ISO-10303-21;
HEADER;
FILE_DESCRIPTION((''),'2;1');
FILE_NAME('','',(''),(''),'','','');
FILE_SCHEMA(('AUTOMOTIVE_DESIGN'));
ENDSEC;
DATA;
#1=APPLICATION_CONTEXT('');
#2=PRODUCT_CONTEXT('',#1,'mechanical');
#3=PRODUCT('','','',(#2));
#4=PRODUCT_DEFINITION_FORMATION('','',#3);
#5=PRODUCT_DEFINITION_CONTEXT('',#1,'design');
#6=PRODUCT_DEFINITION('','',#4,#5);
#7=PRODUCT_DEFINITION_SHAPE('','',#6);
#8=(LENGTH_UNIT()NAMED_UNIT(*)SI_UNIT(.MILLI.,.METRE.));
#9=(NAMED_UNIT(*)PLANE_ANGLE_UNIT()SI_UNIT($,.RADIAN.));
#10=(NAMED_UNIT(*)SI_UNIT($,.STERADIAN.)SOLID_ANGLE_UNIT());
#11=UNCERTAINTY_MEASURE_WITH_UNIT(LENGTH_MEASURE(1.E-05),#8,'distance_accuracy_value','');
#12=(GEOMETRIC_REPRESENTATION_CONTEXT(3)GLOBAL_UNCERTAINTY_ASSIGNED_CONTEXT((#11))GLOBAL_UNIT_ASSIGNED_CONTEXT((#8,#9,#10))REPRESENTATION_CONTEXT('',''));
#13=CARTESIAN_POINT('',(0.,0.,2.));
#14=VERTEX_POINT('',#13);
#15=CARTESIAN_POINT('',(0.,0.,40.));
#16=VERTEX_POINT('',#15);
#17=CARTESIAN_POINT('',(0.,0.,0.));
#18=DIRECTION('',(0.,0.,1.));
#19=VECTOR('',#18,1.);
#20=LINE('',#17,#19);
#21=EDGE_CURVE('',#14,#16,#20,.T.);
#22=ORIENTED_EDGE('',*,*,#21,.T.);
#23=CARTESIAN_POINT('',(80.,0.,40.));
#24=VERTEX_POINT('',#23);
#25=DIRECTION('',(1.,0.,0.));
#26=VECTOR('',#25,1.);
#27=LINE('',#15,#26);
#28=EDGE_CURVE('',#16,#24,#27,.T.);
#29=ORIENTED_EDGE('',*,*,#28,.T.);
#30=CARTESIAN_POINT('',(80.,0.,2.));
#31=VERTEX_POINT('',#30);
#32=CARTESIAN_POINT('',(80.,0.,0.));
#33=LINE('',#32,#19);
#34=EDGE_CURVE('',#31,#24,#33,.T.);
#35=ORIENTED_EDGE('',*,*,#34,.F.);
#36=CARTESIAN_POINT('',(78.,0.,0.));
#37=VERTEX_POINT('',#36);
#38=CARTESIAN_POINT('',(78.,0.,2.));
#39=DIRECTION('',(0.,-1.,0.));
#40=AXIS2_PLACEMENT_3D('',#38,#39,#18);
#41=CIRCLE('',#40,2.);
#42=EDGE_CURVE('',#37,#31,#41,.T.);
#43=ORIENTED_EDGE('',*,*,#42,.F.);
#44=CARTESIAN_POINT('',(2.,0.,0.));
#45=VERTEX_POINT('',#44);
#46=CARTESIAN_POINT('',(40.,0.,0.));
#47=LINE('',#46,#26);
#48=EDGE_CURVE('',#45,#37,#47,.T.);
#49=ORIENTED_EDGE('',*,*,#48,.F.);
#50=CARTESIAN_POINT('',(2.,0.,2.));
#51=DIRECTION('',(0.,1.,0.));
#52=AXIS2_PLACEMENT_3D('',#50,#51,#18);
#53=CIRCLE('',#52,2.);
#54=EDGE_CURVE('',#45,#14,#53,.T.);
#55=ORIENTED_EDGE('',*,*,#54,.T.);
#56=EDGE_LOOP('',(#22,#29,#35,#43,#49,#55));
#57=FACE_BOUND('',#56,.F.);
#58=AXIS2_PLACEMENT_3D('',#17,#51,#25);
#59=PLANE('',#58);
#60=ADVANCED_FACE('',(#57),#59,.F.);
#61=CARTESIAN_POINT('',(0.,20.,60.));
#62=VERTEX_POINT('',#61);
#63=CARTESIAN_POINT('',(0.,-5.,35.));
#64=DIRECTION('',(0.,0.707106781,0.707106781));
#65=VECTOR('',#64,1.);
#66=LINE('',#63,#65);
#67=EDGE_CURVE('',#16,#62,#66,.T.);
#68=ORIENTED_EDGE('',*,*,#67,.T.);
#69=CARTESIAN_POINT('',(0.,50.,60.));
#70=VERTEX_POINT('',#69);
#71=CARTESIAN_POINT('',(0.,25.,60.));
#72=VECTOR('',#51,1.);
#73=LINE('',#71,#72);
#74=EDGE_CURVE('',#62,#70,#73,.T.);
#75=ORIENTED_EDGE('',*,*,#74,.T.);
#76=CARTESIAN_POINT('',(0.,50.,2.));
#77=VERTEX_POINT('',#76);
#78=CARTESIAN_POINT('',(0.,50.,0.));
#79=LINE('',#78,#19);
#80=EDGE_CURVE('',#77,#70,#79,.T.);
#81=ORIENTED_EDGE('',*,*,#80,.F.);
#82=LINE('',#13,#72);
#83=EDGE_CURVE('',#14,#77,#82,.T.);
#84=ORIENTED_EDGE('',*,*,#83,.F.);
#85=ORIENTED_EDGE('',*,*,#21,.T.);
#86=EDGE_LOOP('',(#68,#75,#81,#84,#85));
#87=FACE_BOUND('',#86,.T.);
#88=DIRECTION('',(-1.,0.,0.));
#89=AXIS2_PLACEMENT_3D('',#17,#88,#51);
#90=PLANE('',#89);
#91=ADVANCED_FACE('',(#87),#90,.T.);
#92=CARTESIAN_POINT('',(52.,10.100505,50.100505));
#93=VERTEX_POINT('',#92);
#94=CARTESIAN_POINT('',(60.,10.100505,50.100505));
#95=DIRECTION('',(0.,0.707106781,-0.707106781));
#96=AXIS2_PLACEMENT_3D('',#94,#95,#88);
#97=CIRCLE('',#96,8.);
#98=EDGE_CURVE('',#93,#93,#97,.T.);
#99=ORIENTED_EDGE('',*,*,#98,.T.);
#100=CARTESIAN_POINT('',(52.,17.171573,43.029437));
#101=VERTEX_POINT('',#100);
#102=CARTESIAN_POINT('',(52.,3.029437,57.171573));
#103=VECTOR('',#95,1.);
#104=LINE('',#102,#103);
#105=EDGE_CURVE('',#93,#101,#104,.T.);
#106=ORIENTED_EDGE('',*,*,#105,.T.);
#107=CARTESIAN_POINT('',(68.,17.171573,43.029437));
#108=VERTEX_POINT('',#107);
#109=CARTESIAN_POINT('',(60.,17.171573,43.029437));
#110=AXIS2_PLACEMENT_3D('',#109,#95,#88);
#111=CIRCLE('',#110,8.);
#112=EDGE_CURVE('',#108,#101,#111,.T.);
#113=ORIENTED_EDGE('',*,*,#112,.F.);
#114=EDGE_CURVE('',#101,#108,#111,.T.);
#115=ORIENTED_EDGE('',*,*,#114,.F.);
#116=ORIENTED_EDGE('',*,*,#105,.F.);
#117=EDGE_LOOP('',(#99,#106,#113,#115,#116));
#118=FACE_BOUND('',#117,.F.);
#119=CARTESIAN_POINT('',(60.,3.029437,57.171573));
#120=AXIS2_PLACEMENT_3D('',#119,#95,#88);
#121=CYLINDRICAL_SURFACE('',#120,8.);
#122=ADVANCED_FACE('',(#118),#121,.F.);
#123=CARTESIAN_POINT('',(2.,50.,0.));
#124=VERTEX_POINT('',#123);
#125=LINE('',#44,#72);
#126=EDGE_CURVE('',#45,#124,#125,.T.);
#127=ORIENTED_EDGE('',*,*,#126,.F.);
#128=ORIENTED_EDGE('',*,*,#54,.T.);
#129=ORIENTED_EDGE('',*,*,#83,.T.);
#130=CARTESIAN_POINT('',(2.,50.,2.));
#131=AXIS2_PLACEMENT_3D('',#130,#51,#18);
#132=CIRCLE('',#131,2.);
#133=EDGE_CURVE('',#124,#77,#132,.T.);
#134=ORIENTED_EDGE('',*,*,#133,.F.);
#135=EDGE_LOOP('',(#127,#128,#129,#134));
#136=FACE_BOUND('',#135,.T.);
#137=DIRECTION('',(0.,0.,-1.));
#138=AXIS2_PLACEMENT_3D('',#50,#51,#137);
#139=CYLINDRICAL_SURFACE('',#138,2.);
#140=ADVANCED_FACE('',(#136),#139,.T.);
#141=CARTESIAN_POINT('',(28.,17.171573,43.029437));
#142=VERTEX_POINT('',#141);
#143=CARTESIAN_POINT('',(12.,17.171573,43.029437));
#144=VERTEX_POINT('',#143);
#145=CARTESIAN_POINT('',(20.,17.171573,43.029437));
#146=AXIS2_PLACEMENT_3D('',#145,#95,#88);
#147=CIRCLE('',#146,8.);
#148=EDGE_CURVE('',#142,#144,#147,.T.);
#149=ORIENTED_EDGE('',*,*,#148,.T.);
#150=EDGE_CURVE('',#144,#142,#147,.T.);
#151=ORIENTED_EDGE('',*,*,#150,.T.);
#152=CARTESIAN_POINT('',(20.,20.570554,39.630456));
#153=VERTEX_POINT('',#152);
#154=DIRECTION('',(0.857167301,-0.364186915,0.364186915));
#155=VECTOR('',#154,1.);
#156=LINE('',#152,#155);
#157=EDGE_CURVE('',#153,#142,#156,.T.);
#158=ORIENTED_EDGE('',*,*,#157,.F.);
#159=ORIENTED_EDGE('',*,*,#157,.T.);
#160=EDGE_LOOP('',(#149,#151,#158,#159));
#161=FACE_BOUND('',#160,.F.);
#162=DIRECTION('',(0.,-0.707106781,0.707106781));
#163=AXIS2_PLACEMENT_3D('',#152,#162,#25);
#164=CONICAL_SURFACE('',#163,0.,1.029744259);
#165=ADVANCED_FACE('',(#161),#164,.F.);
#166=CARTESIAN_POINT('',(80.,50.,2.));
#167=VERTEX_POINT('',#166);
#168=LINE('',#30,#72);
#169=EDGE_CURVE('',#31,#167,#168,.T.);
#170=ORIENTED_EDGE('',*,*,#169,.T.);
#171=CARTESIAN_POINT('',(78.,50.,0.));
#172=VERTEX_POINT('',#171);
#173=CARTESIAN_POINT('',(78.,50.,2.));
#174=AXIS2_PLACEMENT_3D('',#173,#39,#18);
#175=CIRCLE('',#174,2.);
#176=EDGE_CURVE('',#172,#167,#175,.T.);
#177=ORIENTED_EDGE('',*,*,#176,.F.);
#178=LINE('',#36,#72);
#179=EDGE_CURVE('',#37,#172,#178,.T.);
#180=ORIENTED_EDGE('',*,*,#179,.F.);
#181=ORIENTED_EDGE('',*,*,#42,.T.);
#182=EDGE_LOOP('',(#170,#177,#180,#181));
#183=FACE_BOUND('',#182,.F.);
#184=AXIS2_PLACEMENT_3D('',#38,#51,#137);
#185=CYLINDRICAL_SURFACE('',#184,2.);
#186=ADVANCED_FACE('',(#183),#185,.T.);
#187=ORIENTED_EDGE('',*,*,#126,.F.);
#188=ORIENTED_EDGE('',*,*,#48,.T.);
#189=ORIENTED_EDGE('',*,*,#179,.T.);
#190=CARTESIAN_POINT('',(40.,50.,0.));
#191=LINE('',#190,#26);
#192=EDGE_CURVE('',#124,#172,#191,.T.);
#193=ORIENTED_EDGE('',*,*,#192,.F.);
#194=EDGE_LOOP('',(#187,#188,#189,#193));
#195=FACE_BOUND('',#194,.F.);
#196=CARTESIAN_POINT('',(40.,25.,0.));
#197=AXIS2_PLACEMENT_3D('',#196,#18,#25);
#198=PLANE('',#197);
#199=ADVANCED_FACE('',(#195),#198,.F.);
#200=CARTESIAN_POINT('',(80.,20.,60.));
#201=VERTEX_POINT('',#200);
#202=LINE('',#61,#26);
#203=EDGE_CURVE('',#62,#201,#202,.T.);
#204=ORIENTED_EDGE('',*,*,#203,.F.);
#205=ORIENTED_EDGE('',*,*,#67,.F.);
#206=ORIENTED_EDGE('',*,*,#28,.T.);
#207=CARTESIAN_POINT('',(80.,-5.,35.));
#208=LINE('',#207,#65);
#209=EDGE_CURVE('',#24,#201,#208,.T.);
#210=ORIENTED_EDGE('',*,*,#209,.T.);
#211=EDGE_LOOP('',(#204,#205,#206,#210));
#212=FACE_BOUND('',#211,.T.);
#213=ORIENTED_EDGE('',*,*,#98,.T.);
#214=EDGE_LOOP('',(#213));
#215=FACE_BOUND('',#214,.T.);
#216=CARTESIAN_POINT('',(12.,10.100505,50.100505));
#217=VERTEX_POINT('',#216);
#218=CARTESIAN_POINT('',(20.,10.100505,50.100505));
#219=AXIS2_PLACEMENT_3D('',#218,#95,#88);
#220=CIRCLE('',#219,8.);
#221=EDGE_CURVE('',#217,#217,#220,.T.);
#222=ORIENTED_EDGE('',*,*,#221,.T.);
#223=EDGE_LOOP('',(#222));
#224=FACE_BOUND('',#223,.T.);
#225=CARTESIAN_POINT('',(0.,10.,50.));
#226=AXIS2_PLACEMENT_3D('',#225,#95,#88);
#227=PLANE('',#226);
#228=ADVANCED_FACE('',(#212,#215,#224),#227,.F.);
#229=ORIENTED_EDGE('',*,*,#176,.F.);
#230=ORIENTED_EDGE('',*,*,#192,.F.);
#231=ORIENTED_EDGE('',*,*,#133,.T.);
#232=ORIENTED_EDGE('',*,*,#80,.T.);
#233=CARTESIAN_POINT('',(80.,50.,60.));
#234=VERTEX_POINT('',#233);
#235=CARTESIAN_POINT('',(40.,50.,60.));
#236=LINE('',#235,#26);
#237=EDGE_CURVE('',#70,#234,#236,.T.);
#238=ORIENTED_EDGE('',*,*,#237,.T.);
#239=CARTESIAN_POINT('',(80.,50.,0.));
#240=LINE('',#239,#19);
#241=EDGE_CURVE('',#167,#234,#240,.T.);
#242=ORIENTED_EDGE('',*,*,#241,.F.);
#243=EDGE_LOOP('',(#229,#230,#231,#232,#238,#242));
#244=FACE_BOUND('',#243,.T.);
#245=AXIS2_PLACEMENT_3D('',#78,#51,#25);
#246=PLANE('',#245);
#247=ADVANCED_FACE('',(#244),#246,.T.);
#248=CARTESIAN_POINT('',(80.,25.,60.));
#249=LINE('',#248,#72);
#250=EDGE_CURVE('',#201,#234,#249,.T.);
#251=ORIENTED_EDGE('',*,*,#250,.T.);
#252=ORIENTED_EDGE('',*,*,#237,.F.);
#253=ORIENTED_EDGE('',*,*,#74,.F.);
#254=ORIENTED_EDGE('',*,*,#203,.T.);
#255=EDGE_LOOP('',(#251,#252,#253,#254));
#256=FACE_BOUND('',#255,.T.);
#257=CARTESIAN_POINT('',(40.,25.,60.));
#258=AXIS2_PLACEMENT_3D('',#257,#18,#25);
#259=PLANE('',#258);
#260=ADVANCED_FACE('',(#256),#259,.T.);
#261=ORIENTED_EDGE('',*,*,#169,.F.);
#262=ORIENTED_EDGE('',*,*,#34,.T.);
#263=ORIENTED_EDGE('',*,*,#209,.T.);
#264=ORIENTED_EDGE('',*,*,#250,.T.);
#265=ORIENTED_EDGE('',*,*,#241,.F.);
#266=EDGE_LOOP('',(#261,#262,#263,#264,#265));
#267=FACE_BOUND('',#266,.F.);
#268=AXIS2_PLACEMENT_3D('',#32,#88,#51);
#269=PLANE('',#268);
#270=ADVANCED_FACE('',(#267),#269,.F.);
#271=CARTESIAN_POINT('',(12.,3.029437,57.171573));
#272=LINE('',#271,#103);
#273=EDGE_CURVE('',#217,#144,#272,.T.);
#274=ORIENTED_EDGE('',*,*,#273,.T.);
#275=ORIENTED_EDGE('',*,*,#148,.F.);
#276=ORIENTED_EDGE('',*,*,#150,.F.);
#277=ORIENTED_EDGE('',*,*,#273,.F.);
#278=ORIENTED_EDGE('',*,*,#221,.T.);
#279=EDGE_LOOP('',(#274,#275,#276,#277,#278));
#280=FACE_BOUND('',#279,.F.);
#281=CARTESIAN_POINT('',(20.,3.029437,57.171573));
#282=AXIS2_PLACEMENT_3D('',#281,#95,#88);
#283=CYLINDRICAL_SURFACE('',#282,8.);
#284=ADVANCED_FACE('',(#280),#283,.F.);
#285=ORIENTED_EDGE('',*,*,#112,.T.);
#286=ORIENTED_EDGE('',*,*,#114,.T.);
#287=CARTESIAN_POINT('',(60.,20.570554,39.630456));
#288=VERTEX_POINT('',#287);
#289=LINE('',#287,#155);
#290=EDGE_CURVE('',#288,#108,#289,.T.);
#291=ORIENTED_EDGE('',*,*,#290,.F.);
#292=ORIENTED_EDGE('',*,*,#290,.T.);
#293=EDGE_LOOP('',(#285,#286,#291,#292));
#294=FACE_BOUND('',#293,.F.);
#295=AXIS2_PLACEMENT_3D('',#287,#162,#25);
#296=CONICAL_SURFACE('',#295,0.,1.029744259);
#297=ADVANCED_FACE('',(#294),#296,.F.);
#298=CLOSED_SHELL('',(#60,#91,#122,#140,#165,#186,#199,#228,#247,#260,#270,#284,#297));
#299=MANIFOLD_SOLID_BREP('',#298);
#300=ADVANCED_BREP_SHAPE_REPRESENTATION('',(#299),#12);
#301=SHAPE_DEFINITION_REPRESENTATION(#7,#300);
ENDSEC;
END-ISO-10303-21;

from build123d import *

# Parameters (mm, degrees)
F0_W     = 80
F0_H     = 50
F1_DEPTH = 60
F2_SIZE  = 20
F4_D     = 16
F4_DEPTH = 10
F4_TIP   = 4.8068849522
F5_R     = 2
F6_R     = 2


with BuildPart() as f1:
    # F0 (on Top) → F1 (new body)
    with BuildSketch(Plane.XY):
        with Locations((40, 25)):
            Rectangle(F0_W, F0_H)
    extrude(amount=F1_DEPTH)

    # F2
    f2_edges = [f1.edges().sort_by_distance(p)[0] for p in [
        (40, 0, 60),
    ]]
    chamfer(f2_edges, length=F2_SIZE)

    # F4
    with Locations(Plane(origin=(0, -20, 20), x_dir=(1, 0, 0), z_dir=(0, -0.7071067812, 0.7071067812))):
        with Locations((20, 42.5685424949), (60, 42.5685424949)):
            Hole(F4_D / 2, depth=F4_DEPTH)
            with Locations((0, 0, -(F4_DEPTH + F4_TIP / 2))):  # 118° drill point
                Cone(0, F4_D / 2, F4_TIP, mode=Mode.SUBTRACT)

    # F5
    f5_edges = [f1.edges().sort_by_distance(p)[0] for p in [
        (80, 25, 0),
    ]]
    fillet(f5_edges, radius=F5_R)

    # F6
    f6_edges = [f1.edges().sort_by_distance(p)[0] for p in [
        (0, 25, 0),
    ]]
    fillet(f6_edges, radius=F6_R)


solid = f1.part
